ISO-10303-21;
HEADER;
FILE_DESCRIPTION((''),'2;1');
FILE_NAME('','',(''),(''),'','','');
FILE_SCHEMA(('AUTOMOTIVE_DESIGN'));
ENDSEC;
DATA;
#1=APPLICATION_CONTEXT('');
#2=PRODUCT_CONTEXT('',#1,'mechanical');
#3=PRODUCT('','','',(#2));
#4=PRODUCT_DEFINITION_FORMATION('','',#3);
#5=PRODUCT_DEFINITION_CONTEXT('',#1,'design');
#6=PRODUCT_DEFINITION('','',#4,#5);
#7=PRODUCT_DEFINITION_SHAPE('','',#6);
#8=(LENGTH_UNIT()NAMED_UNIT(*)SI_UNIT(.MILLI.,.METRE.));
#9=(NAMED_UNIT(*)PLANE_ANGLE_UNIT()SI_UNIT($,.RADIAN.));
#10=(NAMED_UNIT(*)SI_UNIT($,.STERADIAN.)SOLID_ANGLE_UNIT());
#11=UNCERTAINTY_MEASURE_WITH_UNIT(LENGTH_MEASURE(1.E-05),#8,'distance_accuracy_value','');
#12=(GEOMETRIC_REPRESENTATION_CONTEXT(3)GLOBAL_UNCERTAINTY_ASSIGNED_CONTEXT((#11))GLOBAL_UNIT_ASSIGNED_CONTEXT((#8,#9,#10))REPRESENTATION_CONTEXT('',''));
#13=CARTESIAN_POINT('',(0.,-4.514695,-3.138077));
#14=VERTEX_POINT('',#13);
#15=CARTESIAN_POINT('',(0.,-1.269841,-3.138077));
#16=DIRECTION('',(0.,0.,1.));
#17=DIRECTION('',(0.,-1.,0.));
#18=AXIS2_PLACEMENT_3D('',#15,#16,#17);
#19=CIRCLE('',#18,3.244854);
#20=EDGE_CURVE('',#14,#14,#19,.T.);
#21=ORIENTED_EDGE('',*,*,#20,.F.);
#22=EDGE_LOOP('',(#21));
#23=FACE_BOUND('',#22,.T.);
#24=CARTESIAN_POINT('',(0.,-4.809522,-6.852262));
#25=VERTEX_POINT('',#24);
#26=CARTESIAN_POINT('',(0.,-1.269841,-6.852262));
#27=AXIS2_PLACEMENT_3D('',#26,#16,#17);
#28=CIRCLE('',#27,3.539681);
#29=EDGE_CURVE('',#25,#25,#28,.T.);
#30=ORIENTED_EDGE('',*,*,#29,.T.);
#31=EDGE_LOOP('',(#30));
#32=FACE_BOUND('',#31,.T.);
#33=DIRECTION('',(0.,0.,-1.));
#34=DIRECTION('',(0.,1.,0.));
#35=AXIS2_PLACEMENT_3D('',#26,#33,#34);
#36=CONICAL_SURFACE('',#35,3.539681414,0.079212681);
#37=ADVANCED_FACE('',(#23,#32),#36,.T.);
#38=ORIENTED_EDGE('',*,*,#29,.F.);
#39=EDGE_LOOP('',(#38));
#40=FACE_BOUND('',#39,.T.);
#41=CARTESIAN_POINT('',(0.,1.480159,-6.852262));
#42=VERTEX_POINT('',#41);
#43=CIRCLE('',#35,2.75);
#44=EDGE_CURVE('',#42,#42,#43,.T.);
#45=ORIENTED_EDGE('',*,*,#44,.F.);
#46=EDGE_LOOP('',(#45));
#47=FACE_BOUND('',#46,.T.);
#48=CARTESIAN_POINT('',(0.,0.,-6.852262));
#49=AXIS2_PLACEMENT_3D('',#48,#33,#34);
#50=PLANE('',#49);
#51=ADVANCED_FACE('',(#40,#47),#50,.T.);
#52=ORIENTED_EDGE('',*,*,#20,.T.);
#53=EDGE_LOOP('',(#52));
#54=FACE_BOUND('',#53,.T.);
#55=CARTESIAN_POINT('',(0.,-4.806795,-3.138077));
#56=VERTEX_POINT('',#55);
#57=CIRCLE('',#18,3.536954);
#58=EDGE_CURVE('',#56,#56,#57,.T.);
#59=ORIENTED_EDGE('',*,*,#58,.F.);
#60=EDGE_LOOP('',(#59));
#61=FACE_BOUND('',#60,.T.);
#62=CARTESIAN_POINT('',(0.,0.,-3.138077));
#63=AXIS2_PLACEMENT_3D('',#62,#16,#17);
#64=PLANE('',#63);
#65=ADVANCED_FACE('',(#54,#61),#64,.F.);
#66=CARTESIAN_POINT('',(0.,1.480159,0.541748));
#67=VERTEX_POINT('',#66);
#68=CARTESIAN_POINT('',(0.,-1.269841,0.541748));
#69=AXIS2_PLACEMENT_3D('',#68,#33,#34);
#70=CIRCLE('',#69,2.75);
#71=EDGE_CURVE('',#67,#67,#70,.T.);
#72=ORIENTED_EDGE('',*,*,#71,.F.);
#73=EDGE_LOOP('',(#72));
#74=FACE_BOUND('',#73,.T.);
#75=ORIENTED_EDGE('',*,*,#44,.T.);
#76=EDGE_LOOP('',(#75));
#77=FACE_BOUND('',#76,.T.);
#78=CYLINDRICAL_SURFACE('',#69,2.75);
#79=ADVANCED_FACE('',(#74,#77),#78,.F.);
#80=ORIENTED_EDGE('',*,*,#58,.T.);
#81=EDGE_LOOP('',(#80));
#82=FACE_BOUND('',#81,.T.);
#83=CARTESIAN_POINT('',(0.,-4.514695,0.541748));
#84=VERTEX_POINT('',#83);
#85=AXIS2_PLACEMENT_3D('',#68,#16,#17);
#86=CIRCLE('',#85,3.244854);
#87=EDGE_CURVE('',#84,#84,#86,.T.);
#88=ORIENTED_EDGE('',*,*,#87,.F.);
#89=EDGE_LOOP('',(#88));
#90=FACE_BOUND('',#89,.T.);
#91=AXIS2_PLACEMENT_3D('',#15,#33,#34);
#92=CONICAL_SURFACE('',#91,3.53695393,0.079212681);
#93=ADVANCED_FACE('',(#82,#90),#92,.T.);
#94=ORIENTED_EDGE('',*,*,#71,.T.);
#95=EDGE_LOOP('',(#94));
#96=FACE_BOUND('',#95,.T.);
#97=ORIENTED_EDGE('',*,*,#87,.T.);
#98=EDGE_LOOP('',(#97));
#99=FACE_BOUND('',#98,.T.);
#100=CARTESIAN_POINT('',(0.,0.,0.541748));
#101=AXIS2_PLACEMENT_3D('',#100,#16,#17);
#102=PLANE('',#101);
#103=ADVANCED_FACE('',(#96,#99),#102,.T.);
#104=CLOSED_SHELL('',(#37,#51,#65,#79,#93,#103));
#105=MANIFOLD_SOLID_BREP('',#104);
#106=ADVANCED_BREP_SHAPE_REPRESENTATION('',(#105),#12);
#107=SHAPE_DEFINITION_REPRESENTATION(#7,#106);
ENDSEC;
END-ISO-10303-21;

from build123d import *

# Parameters (mm, degrees)
SKETCH7_R          = 2.75
CUT_EXTRUDE3_DEPTH = 8.394010373


with BuildPart() as part:
    # Sketch2 → Revolve2 (revolve)
    with BuildSketch(Plane(origin=(0, 0, 0), x_dir=(0, 0, -1), z_dir=(1, 0, 0))):
        Polygon((-0.541748287, 0.975013223), (-0.541748287, -1.269840707), (6.852262086, -1.269840707), (6.852262086, 1.269840707), (6.852262086, 2.269840707), (3.138076713, 1.975013223), (3.138076713, 2.267113223), (-0.541748287, 1.975013223), (-0.541748287, 1.267113223), align=None)
    revolve(axis=Axis((0, -1.269840707, 0.541748287), (0, 0, -1)))

    # Sketch7 → Cut-Extrude3 (cut, through all)
    with BuildSketch(Plane(origin=(0, 0, -6.852262086), x_dir=(-1, 0, 0), z_dir=(0, 0, -1))):
        with Locations((0, -1.269840707)):
            Circle(SKETCH7_R)
    extrude(amount=-CUT_EXTRUDE3_DEPTH, mode=Mode.SUBTRACT)


solid = part.part
